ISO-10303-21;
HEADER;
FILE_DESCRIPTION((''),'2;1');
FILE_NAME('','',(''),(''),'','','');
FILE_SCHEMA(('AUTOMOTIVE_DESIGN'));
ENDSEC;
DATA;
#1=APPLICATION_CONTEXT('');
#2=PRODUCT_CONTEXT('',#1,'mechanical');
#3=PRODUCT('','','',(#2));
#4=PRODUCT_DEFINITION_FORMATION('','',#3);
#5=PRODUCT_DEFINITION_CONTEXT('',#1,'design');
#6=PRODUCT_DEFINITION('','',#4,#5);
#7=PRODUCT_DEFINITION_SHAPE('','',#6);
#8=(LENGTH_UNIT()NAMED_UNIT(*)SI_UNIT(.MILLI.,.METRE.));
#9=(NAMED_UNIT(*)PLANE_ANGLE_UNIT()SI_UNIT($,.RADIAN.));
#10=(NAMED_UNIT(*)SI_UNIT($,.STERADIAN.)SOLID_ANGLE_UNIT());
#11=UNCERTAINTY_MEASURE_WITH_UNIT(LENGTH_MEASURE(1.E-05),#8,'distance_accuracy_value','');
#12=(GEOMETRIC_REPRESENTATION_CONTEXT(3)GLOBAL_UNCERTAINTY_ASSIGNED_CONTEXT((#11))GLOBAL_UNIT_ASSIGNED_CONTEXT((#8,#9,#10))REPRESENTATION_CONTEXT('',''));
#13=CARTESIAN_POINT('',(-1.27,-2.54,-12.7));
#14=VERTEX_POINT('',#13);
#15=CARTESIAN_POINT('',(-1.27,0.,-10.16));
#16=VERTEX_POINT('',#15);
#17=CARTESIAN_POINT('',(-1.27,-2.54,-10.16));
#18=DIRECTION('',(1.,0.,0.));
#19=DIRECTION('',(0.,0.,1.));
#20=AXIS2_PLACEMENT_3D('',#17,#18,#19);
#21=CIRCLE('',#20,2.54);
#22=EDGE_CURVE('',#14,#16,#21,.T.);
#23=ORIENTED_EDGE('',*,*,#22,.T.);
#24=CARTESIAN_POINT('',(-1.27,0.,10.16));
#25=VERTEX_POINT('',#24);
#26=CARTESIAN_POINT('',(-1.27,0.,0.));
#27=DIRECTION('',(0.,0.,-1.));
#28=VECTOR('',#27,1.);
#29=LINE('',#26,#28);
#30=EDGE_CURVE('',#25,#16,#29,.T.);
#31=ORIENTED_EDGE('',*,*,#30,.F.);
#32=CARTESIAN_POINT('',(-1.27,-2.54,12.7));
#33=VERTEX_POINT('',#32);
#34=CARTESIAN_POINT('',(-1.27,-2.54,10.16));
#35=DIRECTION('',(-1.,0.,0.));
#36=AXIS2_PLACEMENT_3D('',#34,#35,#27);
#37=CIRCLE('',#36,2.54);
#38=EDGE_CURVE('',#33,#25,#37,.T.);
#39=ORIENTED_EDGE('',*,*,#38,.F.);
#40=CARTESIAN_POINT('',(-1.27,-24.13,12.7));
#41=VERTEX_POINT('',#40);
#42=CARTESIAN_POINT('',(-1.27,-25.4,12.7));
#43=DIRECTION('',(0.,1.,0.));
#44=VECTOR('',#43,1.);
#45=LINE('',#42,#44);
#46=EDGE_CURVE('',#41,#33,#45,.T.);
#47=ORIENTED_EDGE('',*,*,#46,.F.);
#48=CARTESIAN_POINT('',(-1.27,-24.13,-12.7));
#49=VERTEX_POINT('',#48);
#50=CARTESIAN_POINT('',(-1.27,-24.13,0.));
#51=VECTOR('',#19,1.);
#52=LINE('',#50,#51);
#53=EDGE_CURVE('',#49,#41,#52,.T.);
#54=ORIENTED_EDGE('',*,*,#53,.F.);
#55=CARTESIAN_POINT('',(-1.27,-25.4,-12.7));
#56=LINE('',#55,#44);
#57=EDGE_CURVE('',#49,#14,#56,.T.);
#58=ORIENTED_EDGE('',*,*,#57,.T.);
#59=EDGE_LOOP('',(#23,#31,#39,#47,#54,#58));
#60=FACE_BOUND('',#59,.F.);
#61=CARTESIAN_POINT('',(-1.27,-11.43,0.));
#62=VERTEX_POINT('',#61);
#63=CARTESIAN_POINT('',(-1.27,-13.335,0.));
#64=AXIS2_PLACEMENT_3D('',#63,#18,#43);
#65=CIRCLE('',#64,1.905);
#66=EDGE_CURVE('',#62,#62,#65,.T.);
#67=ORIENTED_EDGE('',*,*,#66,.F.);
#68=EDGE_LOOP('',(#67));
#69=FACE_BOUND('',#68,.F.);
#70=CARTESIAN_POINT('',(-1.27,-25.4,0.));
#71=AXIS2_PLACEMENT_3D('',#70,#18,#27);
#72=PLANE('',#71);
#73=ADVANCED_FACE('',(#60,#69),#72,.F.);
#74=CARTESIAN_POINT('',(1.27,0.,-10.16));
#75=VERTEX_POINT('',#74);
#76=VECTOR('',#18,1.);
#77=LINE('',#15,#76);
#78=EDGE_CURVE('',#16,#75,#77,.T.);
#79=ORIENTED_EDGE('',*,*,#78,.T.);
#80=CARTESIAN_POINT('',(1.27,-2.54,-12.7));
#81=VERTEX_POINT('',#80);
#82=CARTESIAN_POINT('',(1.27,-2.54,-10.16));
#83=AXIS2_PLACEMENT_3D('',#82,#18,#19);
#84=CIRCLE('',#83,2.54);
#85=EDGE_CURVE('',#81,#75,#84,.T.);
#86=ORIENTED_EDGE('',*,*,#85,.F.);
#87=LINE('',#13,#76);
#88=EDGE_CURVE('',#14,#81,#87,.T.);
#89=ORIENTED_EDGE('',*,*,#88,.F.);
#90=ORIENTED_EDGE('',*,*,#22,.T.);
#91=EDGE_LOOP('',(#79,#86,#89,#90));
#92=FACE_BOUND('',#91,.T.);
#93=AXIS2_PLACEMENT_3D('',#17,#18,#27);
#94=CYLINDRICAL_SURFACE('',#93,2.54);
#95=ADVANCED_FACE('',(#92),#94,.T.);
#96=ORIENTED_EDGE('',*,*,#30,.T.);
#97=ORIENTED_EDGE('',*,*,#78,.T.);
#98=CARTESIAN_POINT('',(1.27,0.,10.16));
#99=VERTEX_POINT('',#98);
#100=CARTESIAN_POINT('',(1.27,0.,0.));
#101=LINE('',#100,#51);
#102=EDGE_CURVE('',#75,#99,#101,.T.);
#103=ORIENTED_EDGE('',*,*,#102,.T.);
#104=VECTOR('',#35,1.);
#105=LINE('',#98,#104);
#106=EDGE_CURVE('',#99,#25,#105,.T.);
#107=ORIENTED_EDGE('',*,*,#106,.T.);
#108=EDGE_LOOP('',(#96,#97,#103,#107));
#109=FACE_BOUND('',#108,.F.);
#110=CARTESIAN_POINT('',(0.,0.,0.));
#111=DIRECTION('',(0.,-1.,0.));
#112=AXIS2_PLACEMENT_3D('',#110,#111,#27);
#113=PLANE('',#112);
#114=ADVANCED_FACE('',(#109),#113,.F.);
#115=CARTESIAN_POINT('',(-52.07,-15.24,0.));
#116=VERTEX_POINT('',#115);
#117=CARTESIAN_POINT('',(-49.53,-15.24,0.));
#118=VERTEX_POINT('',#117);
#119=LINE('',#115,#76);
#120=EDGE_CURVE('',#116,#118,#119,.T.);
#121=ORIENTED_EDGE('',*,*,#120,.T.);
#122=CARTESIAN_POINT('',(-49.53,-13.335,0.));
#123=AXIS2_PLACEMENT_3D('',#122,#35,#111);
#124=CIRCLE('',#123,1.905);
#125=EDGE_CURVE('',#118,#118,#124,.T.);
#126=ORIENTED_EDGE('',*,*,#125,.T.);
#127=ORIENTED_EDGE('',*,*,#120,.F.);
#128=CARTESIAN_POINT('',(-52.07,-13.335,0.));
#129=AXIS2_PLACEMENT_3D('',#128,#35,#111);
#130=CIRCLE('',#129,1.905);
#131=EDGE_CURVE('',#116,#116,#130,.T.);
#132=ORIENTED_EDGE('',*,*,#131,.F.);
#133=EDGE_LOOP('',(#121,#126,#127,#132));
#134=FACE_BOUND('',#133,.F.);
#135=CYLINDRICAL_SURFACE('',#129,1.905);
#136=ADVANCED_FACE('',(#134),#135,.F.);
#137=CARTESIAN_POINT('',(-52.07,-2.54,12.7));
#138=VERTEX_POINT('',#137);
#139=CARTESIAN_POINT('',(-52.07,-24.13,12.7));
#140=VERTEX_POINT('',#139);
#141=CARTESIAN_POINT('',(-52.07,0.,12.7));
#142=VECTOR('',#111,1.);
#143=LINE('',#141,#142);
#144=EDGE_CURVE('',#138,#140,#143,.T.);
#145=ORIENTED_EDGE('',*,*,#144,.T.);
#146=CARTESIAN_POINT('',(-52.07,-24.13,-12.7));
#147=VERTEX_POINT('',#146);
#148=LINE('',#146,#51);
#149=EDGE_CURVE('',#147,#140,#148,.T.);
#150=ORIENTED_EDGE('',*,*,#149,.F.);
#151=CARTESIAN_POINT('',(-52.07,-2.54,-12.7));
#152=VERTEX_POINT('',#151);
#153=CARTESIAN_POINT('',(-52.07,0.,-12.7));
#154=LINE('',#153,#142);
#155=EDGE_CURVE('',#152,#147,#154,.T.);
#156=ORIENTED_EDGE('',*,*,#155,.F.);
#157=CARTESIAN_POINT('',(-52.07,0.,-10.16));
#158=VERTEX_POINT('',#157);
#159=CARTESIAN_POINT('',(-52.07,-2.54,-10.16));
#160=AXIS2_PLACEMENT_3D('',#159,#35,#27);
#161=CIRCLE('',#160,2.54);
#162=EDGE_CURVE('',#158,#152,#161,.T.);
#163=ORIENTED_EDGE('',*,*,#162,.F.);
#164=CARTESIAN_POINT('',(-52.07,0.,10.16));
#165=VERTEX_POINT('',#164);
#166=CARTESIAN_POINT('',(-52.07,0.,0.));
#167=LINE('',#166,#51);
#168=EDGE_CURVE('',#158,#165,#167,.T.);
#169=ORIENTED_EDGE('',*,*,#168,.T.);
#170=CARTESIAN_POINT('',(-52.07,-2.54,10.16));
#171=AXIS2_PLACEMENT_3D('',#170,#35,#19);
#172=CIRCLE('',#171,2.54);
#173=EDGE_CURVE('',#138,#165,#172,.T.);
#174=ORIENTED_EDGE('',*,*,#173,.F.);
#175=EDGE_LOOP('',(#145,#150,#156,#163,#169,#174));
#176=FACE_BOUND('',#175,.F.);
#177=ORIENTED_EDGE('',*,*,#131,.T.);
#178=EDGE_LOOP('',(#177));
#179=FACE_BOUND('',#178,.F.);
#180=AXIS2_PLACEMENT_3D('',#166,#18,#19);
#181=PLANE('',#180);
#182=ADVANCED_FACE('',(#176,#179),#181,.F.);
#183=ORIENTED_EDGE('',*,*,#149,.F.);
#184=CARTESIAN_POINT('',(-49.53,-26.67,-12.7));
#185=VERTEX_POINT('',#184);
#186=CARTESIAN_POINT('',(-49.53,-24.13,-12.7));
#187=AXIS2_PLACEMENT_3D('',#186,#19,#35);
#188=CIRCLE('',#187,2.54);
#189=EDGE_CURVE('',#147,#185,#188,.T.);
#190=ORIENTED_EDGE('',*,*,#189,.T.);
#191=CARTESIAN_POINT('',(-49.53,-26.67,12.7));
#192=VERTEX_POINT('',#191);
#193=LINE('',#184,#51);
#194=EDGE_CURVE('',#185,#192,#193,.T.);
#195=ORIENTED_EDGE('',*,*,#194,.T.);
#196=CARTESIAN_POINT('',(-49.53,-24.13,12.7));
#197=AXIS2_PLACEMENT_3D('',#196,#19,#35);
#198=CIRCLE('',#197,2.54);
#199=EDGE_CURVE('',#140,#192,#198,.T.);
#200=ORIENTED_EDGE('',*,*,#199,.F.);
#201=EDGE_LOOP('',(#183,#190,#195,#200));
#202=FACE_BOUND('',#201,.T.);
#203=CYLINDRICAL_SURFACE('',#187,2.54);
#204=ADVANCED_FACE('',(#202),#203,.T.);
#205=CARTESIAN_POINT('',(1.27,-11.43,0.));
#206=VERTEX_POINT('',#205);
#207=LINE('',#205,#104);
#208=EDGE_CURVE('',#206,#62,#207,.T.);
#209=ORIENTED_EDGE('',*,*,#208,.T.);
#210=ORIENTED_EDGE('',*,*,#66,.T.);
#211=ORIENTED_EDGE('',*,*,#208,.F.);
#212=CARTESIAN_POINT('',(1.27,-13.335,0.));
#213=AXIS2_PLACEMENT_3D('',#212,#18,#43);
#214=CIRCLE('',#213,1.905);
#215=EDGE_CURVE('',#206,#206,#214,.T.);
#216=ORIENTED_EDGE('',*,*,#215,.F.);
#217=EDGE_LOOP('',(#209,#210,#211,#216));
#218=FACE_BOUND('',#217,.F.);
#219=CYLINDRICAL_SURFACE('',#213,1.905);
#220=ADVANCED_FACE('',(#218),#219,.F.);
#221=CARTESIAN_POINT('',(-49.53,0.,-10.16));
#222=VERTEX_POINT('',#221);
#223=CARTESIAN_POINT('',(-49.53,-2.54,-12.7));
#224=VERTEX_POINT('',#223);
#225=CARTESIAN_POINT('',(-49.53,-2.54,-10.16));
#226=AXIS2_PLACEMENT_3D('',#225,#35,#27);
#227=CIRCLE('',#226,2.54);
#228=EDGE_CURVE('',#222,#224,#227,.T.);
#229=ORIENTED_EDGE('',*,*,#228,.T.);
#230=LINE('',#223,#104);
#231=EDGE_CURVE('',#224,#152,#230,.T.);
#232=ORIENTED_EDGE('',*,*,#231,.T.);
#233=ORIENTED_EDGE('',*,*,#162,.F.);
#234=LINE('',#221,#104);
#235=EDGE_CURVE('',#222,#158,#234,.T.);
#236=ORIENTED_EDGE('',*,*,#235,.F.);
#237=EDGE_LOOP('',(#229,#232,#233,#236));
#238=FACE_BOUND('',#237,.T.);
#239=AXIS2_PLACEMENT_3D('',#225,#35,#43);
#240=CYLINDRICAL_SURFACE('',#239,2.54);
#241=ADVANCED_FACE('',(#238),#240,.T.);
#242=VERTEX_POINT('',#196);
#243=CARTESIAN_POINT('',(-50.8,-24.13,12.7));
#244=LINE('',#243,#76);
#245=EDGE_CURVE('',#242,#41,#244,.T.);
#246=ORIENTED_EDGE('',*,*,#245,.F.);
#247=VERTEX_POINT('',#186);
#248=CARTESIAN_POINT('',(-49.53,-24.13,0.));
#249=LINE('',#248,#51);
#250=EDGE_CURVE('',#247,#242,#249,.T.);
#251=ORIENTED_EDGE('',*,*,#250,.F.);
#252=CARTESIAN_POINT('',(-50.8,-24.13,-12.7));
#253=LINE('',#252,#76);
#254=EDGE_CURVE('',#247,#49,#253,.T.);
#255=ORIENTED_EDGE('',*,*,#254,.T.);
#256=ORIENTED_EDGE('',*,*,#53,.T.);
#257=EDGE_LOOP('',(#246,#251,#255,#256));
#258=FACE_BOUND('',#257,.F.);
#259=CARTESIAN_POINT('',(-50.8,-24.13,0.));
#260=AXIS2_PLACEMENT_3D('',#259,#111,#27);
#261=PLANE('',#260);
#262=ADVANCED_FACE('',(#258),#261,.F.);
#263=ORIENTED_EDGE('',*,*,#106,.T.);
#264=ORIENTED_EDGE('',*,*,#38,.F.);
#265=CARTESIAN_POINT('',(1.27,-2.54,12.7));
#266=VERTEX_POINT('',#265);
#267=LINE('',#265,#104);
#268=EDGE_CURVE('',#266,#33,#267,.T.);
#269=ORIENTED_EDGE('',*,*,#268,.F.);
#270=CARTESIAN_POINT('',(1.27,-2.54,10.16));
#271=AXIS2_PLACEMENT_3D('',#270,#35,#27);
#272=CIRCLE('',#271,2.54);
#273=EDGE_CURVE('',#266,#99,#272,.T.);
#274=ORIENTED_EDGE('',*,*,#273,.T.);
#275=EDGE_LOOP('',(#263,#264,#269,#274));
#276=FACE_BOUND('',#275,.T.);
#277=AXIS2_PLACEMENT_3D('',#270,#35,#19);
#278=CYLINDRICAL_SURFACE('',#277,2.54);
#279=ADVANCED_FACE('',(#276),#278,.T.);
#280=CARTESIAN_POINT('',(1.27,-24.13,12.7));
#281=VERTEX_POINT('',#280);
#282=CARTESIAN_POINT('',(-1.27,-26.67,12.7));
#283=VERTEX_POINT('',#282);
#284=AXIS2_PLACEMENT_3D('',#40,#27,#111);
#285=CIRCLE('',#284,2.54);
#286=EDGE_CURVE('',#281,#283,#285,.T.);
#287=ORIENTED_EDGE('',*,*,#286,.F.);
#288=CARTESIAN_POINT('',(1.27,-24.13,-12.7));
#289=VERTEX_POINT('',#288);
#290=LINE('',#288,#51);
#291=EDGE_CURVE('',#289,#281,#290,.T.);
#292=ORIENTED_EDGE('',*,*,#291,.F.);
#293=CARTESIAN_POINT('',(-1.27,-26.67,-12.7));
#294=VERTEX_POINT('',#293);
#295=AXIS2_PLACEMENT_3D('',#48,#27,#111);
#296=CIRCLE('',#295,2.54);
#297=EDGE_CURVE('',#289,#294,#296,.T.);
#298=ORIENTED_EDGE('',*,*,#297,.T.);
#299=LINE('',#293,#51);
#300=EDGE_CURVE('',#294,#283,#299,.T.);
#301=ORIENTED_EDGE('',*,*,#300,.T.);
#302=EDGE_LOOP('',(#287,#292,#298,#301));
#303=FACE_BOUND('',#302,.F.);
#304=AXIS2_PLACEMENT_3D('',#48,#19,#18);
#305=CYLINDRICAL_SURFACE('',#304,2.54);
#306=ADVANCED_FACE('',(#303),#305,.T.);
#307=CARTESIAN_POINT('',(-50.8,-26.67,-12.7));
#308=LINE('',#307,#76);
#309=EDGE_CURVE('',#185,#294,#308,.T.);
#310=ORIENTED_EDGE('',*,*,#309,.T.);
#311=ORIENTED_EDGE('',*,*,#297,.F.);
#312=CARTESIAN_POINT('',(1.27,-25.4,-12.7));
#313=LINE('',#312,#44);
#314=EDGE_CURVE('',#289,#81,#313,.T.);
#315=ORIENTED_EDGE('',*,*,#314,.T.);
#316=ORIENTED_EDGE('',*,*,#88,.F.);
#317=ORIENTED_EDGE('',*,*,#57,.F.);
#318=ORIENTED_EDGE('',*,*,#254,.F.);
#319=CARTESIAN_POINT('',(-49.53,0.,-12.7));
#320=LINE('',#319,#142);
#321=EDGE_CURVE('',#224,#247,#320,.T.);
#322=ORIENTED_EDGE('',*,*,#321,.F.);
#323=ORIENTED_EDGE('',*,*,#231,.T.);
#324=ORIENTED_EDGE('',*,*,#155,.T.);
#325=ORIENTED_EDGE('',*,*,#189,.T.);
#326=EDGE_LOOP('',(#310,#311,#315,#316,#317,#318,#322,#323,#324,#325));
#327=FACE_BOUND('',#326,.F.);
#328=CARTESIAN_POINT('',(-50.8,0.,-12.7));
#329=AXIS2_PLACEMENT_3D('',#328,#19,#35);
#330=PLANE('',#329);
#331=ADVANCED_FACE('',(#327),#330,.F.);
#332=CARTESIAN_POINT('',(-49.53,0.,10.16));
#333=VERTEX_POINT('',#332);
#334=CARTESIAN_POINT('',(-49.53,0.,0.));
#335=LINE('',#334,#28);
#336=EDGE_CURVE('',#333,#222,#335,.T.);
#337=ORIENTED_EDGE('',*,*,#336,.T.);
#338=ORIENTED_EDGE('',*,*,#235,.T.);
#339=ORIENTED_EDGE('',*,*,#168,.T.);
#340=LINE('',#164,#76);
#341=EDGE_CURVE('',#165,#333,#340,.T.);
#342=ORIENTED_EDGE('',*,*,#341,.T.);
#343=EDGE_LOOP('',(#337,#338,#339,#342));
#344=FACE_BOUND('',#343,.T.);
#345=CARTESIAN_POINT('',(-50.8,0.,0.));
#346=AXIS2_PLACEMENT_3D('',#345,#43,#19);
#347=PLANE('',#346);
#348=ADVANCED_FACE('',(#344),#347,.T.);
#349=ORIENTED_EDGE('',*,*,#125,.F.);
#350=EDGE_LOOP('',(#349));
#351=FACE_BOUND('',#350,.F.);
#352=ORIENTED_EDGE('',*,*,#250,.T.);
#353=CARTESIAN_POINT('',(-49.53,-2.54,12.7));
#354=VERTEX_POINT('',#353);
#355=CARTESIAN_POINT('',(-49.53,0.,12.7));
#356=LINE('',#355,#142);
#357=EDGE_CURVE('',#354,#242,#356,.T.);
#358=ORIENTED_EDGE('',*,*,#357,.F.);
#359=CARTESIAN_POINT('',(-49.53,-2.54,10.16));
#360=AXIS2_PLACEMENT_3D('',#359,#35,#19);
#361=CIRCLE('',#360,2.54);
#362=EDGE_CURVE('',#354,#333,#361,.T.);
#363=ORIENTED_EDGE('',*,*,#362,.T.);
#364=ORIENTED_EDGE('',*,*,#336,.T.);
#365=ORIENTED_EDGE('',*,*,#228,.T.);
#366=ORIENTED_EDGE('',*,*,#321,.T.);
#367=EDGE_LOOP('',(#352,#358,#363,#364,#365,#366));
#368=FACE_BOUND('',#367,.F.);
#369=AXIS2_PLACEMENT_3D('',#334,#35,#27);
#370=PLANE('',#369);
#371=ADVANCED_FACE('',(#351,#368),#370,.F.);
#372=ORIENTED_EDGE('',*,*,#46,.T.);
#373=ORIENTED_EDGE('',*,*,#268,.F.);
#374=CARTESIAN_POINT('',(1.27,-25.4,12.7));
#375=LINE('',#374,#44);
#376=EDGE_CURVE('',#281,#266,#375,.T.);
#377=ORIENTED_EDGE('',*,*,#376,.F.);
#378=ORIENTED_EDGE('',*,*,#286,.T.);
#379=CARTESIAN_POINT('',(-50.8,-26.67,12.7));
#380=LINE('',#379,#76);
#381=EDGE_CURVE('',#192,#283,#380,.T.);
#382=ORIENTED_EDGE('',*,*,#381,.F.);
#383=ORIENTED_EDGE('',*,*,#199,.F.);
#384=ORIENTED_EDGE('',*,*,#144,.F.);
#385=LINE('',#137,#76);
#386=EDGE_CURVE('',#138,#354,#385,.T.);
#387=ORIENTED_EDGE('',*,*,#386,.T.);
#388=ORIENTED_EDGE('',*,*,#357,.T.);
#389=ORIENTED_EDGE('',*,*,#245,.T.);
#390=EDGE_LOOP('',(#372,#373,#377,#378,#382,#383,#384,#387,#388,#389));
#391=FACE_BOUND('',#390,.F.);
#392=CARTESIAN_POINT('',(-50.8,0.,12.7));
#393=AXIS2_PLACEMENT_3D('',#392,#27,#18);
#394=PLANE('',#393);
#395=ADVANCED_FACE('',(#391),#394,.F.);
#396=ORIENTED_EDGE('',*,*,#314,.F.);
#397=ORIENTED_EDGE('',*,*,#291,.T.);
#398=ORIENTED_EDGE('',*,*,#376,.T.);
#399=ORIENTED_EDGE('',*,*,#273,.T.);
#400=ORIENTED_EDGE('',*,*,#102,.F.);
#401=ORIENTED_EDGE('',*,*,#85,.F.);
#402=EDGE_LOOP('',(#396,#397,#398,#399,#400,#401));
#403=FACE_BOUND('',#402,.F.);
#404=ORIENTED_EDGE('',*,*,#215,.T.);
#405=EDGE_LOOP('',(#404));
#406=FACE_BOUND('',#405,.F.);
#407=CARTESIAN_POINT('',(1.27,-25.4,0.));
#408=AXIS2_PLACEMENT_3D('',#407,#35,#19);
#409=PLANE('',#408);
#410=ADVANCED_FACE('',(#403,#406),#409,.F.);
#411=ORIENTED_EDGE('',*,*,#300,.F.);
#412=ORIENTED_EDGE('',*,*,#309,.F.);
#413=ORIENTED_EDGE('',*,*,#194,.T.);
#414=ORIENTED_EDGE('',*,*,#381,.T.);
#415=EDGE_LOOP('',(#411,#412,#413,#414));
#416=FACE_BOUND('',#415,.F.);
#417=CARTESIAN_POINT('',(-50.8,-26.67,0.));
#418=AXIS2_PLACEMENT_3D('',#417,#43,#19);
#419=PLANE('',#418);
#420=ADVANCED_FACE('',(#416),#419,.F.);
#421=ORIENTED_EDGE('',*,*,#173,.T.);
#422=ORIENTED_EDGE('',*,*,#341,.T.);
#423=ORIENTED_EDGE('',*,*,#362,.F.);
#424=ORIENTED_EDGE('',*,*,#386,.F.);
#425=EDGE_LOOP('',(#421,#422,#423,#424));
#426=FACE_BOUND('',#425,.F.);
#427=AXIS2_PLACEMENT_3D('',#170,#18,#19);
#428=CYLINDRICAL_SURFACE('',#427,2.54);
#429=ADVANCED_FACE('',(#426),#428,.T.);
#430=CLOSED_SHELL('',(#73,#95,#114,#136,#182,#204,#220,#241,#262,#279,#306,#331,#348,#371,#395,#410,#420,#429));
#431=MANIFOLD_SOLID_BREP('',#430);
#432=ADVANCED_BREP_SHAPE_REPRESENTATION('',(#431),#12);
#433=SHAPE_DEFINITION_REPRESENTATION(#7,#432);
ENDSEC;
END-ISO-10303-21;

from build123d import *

# Parameters (mm, degrees)
F1_W     = 2.54
F1_H     = 25.4
F3_R     = 1.905
F5_DEPTH = 2.54
F4_R     = 1.905
F6_DEPTH = 2.54
F7_R     = 2.54


with BuildPart() as f2:
    # F2: sweep along a path in F0
    with BuildLine(Plane.XY) as f2_path:
        Line((-50.8, 0), (-50.8, -25.4))
        Line((-50.8, -25.4), (0, -25.4))
        Line((0, -25.4), (0, 0))
    # F1 (on Front) → F2 (sweep)
    with BuildSketch(Plane.XZ):
        Rectangle(F1_W, F1_H)
    sweep(path=f2_path.line, transition=Transition.RIGHT)

    # F3 (on face) → F5 (cut, through all)
    with BuildSketch(Plane.YZ.offset(1.27)):
        with Locations((-13.335, 0)):
            Circle(F3_R)
    extrude(amount=-F5_DEPTH, mode=Mode.SUBTRACT)

    # F4 (on face) → F6 (cut, through all)
    with BuildSketch(Plane(origin=(-52.07, 0, 0), x_dir=(0, -1, 0), z_dir=(-1, 0, 0))):
        with Locations((13.335, 0)):
            Circle(F4_R)
    extrude(amount=-F6_DEPTH, mode=Mode.SUBTRACT)

    # F7
    f7_edges = [f2.edges().sort_by_distance(p)[0] for p in [
        (-50.8, 0, 12.7),
        (-50.8, 0, -12.7),
        (0, 0, -12.7),
        (0, 0, 12.7),
        (1.27, -26.67, 0),
        (-52.07, -26.67, 0),
    ]]
    fillet(f7_edges, radius=F7_R)


solid = f2.part
